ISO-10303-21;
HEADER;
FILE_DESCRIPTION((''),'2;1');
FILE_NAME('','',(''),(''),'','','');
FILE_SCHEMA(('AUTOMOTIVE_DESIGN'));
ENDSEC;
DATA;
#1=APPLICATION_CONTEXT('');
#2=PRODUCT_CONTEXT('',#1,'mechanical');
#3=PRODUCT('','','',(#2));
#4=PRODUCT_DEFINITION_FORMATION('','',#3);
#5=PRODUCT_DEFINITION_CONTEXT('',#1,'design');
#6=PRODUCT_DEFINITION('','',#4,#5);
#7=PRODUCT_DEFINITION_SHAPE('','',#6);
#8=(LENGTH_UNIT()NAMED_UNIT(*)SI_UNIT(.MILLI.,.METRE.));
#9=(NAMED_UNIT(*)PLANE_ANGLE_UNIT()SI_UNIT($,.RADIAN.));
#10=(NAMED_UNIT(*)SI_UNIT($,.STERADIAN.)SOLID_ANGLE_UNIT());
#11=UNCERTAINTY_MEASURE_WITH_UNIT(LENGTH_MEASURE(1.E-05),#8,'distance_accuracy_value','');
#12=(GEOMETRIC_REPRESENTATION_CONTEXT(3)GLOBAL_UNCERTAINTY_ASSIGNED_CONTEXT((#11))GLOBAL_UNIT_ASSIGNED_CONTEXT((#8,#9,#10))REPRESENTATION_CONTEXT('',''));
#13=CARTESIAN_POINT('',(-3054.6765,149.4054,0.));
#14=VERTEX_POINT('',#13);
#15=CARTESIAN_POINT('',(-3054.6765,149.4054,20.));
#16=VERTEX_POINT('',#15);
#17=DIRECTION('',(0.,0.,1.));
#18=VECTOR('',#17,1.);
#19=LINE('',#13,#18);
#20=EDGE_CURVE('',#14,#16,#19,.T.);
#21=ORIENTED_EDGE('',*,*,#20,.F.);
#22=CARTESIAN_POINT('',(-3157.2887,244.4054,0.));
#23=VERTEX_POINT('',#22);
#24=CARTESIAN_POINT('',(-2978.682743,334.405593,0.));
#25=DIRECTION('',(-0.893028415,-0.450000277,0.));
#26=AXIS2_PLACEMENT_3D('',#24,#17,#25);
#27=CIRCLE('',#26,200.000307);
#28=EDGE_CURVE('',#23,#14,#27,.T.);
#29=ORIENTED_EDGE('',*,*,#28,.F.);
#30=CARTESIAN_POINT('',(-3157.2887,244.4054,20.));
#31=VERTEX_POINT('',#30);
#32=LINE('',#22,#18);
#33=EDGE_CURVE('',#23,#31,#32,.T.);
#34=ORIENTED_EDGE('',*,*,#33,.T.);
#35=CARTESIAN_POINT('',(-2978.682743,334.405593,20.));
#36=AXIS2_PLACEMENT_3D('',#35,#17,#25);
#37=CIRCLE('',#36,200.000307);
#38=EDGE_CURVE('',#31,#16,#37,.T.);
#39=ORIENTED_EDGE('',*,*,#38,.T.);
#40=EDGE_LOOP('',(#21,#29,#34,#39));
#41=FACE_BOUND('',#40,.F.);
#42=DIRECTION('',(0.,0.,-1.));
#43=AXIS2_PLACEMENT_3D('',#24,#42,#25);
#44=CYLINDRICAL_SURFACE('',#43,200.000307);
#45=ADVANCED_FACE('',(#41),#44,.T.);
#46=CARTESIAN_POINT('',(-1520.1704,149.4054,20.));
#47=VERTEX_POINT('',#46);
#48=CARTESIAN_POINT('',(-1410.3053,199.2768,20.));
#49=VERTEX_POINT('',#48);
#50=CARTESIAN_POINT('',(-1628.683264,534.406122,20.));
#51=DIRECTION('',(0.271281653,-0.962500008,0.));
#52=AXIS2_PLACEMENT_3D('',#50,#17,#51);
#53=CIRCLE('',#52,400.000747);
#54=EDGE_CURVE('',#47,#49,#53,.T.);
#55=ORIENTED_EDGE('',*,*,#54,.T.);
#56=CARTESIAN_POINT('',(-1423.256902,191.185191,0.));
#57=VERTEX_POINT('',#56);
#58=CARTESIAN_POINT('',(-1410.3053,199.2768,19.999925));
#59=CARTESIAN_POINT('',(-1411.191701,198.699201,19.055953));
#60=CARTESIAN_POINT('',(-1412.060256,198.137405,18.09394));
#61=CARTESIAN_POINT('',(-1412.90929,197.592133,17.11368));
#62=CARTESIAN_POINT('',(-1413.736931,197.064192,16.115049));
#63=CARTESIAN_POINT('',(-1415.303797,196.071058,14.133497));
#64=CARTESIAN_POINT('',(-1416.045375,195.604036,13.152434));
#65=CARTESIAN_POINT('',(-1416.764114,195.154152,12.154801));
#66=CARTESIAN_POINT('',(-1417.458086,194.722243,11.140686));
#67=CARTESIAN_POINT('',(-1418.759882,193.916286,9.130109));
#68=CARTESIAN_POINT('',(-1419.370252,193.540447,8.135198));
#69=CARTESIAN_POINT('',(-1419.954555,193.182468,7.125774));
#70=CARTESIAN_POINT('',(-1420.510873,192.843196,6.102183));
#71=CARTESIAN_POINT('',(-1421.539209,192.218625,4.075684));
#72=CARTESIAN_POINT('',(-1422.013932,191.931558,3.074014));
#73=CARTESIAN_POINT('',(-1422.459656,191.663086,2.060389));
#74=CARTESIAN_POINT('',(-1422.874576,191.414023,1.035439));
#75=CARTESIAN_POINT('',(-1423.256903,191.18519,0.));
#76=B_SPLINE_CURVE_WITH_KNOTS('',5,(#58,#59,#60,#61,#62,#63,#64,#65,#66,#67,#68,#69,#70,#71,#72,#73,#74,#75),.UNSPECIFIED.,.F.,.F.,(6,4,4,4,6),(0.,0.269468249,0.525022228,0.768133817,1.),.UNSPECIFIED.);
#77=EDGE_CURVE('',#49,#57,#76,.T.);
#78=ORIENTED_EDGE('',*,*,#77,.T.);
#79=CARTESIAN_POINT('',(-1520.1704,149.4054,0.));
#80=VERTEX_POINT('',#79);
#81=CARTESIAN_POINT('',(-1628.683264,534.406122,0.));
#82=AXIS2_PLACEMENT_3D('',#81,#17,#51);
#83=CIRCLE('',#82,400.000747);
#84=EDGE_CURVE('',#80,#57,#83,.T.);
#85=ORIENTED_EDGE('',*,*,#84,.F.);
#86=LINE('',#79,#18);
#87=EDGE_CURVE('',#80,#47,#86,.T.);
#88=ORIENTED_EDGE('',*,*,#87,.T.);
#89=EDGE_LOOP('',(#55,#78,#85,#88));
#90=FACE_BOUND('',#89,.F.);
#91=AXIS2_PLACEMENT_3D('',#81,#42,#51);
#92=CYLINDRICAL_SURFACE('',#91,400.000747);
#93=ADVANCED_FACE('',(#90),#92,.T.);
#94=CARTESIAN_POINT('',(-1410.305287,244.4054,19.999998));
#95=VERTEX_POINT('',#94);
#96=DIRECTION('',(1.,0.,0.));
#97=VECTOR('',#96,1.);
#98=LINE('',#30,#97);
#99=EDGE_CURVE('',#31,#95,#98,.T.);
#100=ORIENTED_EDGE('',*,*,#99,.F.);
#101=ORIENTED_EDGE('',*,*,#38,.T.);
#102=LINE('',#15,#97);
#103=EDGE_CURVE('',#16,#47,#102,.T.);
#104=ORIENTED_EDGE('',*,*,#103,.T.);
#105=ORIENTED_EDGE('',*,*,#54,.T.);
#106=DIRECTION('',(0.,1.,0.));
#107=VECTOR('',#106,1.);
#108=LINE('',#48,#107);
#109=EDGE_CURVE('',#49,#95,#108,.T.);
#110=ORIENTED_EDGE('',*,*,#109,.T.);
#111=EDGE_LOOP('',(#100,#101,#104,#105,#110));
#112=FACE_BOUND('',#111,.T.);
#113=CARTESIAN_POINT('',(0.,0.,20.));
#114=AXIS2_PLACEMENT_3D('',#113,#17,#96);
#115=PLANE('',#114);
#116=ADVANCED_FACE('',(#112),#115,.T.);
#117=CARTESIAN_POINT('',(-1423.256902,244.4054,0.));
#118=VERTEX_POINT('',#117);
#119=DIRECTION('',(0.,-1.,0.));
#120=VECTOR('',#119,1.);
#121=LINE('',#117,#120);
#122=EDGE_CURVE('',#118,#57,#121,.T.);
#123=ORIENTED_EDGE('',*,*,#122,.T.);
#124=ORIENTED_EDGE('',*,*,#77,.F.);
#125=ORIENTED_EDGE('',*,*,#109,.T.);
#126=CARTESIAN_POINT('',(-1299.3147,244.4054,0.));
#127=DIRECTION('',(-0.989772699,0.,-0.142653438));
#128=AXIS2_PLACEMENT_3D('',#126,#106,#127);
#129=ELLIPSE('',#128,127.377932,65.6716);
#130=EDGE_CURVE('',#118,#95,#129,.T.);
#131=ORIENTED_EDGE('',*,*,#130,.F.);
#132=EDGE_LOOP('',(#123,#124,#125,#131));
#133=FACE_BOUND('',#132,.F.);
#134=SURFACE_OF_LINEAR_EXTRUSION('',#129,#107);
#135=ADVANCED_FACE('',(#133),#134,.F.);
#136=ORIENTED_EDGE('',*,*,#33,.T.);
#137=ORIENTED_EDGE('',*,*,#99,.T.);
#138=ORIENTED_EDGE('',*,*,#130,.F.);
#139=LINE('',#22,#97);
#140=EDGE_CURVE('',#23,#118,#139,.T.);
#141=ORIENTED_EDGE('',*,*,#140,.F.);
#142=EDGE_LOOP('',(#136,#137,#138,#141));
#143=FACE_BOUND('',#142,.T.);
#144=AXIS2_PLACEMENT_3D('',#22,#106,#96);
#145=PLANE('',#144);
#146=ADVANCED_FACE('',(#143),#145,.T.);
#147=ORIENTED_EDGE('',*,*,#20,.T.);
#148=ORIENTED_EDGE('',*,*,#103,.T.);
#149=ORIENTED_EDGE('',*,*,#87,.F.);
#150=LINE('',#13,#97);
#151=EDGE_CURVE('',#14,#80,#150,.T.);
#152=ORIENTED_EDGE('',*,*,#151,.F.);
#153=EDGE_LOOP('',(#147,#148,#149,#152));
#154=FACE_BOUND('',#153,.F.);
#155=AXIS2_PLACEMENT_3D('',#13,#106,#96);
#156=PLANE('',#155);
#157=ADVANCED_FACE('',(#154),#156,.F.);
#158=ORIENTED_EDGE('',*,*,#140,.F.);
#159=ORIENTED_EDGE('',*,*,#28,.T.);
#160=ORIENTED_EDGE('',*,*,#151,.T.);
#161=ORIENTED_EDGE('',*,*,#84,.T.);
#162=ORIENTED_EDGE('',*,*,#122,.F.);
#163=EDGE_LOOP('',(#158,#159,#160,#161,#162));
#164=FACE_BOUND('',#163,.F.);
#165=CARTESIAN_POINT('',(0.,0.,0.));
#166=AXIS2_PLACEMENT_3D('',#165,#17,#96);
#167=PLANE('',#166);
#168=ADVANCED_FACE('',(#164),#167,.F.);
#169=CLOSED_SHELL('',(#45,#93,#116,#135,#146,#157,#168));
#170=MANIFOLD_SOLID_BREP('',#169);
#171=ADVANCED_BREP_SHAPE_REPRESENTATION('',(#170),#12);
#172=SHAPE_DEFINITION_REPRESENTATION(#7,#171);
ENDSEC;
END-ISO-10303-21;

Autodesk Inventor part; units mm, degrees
ref_plane "YZ Plane" through (0, 0, 0) normal (1, 0, 0) x (0, 1, 0)
ref_plane "XZ Plane" through (0, 0, 0) normal (0, 1, 0) x (-1, 0, 0)
ref_plane "XY Plane" through (0, 0, 0) normal (0, 0, 1) x (1, 0, 0)
sketch "Skizze1" plane through (0, 0, 0) normal (0, 0, 1) x (1, 0, 0)
  line L0 (-3157.2887, 244.4054) -> (-1410.3053, 244.4054)
  line L1 (-1410.3053, 199.2768) -> (-1410.3053, 244.4054)
  arc A0 (-1520.1704, 149.4054) -> (-1410.3053, 199.2768) centre (-1628.683, 534.4054) ccw
  line L2 (-3054.6765, 149.4054) -> (-1520.1704, 149.4054)
  arc A1 (-3157.2887, 244.4054) -> (-3054.6765, 149.4054) centre (-2978.683, 334.4054) ccw
  point P0 (-2370.1189, 0)
  point P1 (-1410.3053, 199.2768)
  point P2 (-1410.3053, 244.4054)
  dimension "d59" = 400
  dimension "d60" = 200
  dimension "d61" = 95
  dimension "d62" = 0
  dimension "d63" = 0
  dimension "d64" = 45.1286
  dimension "d65" = 0
  dimension "d66" = 45.1286
  dimension "d67" = 109.865
  dimension "d68" = 109.865
  dimension "d69" = 95
  dimension "d70" = 959.8136
  dimension "d71" = 244.4054
  dimension "d72" = 1568.3777
  dimension "d73" = 90
  dimension "d74" = 1644.3711
  dimension "d75" = 1644.3711
  dimension "d76" = 1746.9834
  dimension "d77" = 1746.9834
extrude "Extrusion1" add sketch "Skizze1" along normal blind 20
sketch "Skizze2" plane through (-3157.2887, 244.4054, 0) normal (0, 1, 0) x (1, 0, 0)
  line L0 (1746.9834, -20) -> (1856.261, -20)
  ellipse E0 centre (1857.974, 0) end of major axis (1731.8988, 18.1709) minor radius 65.6716 (1734.0318, 0) -> (1746.9834, -20) ccw
  line L1 (1746.9834, 0) -> (0, 0) projected
  line L2 (1746.9834, 0) -> (1746.9834, -20) projected
  line L3 (1856.261, -20) -> (1856.261, 0)
  line L4 (1856.261, 0) -> (1734.0318, 0)
  line L5 (1637.1184, 0) -> (1746.9834, 0) projected
  point P0 (3157.2887, 0)
  point P1 (1734.0318, 0)
  dimension "d59" = 400
  dimension "d87" = 0
  dimension "d88" = 109.2776
extrude "Extrusion2" cut sketch "Skizze2" against normal through all
properties part number "HolzLatteRechts"
